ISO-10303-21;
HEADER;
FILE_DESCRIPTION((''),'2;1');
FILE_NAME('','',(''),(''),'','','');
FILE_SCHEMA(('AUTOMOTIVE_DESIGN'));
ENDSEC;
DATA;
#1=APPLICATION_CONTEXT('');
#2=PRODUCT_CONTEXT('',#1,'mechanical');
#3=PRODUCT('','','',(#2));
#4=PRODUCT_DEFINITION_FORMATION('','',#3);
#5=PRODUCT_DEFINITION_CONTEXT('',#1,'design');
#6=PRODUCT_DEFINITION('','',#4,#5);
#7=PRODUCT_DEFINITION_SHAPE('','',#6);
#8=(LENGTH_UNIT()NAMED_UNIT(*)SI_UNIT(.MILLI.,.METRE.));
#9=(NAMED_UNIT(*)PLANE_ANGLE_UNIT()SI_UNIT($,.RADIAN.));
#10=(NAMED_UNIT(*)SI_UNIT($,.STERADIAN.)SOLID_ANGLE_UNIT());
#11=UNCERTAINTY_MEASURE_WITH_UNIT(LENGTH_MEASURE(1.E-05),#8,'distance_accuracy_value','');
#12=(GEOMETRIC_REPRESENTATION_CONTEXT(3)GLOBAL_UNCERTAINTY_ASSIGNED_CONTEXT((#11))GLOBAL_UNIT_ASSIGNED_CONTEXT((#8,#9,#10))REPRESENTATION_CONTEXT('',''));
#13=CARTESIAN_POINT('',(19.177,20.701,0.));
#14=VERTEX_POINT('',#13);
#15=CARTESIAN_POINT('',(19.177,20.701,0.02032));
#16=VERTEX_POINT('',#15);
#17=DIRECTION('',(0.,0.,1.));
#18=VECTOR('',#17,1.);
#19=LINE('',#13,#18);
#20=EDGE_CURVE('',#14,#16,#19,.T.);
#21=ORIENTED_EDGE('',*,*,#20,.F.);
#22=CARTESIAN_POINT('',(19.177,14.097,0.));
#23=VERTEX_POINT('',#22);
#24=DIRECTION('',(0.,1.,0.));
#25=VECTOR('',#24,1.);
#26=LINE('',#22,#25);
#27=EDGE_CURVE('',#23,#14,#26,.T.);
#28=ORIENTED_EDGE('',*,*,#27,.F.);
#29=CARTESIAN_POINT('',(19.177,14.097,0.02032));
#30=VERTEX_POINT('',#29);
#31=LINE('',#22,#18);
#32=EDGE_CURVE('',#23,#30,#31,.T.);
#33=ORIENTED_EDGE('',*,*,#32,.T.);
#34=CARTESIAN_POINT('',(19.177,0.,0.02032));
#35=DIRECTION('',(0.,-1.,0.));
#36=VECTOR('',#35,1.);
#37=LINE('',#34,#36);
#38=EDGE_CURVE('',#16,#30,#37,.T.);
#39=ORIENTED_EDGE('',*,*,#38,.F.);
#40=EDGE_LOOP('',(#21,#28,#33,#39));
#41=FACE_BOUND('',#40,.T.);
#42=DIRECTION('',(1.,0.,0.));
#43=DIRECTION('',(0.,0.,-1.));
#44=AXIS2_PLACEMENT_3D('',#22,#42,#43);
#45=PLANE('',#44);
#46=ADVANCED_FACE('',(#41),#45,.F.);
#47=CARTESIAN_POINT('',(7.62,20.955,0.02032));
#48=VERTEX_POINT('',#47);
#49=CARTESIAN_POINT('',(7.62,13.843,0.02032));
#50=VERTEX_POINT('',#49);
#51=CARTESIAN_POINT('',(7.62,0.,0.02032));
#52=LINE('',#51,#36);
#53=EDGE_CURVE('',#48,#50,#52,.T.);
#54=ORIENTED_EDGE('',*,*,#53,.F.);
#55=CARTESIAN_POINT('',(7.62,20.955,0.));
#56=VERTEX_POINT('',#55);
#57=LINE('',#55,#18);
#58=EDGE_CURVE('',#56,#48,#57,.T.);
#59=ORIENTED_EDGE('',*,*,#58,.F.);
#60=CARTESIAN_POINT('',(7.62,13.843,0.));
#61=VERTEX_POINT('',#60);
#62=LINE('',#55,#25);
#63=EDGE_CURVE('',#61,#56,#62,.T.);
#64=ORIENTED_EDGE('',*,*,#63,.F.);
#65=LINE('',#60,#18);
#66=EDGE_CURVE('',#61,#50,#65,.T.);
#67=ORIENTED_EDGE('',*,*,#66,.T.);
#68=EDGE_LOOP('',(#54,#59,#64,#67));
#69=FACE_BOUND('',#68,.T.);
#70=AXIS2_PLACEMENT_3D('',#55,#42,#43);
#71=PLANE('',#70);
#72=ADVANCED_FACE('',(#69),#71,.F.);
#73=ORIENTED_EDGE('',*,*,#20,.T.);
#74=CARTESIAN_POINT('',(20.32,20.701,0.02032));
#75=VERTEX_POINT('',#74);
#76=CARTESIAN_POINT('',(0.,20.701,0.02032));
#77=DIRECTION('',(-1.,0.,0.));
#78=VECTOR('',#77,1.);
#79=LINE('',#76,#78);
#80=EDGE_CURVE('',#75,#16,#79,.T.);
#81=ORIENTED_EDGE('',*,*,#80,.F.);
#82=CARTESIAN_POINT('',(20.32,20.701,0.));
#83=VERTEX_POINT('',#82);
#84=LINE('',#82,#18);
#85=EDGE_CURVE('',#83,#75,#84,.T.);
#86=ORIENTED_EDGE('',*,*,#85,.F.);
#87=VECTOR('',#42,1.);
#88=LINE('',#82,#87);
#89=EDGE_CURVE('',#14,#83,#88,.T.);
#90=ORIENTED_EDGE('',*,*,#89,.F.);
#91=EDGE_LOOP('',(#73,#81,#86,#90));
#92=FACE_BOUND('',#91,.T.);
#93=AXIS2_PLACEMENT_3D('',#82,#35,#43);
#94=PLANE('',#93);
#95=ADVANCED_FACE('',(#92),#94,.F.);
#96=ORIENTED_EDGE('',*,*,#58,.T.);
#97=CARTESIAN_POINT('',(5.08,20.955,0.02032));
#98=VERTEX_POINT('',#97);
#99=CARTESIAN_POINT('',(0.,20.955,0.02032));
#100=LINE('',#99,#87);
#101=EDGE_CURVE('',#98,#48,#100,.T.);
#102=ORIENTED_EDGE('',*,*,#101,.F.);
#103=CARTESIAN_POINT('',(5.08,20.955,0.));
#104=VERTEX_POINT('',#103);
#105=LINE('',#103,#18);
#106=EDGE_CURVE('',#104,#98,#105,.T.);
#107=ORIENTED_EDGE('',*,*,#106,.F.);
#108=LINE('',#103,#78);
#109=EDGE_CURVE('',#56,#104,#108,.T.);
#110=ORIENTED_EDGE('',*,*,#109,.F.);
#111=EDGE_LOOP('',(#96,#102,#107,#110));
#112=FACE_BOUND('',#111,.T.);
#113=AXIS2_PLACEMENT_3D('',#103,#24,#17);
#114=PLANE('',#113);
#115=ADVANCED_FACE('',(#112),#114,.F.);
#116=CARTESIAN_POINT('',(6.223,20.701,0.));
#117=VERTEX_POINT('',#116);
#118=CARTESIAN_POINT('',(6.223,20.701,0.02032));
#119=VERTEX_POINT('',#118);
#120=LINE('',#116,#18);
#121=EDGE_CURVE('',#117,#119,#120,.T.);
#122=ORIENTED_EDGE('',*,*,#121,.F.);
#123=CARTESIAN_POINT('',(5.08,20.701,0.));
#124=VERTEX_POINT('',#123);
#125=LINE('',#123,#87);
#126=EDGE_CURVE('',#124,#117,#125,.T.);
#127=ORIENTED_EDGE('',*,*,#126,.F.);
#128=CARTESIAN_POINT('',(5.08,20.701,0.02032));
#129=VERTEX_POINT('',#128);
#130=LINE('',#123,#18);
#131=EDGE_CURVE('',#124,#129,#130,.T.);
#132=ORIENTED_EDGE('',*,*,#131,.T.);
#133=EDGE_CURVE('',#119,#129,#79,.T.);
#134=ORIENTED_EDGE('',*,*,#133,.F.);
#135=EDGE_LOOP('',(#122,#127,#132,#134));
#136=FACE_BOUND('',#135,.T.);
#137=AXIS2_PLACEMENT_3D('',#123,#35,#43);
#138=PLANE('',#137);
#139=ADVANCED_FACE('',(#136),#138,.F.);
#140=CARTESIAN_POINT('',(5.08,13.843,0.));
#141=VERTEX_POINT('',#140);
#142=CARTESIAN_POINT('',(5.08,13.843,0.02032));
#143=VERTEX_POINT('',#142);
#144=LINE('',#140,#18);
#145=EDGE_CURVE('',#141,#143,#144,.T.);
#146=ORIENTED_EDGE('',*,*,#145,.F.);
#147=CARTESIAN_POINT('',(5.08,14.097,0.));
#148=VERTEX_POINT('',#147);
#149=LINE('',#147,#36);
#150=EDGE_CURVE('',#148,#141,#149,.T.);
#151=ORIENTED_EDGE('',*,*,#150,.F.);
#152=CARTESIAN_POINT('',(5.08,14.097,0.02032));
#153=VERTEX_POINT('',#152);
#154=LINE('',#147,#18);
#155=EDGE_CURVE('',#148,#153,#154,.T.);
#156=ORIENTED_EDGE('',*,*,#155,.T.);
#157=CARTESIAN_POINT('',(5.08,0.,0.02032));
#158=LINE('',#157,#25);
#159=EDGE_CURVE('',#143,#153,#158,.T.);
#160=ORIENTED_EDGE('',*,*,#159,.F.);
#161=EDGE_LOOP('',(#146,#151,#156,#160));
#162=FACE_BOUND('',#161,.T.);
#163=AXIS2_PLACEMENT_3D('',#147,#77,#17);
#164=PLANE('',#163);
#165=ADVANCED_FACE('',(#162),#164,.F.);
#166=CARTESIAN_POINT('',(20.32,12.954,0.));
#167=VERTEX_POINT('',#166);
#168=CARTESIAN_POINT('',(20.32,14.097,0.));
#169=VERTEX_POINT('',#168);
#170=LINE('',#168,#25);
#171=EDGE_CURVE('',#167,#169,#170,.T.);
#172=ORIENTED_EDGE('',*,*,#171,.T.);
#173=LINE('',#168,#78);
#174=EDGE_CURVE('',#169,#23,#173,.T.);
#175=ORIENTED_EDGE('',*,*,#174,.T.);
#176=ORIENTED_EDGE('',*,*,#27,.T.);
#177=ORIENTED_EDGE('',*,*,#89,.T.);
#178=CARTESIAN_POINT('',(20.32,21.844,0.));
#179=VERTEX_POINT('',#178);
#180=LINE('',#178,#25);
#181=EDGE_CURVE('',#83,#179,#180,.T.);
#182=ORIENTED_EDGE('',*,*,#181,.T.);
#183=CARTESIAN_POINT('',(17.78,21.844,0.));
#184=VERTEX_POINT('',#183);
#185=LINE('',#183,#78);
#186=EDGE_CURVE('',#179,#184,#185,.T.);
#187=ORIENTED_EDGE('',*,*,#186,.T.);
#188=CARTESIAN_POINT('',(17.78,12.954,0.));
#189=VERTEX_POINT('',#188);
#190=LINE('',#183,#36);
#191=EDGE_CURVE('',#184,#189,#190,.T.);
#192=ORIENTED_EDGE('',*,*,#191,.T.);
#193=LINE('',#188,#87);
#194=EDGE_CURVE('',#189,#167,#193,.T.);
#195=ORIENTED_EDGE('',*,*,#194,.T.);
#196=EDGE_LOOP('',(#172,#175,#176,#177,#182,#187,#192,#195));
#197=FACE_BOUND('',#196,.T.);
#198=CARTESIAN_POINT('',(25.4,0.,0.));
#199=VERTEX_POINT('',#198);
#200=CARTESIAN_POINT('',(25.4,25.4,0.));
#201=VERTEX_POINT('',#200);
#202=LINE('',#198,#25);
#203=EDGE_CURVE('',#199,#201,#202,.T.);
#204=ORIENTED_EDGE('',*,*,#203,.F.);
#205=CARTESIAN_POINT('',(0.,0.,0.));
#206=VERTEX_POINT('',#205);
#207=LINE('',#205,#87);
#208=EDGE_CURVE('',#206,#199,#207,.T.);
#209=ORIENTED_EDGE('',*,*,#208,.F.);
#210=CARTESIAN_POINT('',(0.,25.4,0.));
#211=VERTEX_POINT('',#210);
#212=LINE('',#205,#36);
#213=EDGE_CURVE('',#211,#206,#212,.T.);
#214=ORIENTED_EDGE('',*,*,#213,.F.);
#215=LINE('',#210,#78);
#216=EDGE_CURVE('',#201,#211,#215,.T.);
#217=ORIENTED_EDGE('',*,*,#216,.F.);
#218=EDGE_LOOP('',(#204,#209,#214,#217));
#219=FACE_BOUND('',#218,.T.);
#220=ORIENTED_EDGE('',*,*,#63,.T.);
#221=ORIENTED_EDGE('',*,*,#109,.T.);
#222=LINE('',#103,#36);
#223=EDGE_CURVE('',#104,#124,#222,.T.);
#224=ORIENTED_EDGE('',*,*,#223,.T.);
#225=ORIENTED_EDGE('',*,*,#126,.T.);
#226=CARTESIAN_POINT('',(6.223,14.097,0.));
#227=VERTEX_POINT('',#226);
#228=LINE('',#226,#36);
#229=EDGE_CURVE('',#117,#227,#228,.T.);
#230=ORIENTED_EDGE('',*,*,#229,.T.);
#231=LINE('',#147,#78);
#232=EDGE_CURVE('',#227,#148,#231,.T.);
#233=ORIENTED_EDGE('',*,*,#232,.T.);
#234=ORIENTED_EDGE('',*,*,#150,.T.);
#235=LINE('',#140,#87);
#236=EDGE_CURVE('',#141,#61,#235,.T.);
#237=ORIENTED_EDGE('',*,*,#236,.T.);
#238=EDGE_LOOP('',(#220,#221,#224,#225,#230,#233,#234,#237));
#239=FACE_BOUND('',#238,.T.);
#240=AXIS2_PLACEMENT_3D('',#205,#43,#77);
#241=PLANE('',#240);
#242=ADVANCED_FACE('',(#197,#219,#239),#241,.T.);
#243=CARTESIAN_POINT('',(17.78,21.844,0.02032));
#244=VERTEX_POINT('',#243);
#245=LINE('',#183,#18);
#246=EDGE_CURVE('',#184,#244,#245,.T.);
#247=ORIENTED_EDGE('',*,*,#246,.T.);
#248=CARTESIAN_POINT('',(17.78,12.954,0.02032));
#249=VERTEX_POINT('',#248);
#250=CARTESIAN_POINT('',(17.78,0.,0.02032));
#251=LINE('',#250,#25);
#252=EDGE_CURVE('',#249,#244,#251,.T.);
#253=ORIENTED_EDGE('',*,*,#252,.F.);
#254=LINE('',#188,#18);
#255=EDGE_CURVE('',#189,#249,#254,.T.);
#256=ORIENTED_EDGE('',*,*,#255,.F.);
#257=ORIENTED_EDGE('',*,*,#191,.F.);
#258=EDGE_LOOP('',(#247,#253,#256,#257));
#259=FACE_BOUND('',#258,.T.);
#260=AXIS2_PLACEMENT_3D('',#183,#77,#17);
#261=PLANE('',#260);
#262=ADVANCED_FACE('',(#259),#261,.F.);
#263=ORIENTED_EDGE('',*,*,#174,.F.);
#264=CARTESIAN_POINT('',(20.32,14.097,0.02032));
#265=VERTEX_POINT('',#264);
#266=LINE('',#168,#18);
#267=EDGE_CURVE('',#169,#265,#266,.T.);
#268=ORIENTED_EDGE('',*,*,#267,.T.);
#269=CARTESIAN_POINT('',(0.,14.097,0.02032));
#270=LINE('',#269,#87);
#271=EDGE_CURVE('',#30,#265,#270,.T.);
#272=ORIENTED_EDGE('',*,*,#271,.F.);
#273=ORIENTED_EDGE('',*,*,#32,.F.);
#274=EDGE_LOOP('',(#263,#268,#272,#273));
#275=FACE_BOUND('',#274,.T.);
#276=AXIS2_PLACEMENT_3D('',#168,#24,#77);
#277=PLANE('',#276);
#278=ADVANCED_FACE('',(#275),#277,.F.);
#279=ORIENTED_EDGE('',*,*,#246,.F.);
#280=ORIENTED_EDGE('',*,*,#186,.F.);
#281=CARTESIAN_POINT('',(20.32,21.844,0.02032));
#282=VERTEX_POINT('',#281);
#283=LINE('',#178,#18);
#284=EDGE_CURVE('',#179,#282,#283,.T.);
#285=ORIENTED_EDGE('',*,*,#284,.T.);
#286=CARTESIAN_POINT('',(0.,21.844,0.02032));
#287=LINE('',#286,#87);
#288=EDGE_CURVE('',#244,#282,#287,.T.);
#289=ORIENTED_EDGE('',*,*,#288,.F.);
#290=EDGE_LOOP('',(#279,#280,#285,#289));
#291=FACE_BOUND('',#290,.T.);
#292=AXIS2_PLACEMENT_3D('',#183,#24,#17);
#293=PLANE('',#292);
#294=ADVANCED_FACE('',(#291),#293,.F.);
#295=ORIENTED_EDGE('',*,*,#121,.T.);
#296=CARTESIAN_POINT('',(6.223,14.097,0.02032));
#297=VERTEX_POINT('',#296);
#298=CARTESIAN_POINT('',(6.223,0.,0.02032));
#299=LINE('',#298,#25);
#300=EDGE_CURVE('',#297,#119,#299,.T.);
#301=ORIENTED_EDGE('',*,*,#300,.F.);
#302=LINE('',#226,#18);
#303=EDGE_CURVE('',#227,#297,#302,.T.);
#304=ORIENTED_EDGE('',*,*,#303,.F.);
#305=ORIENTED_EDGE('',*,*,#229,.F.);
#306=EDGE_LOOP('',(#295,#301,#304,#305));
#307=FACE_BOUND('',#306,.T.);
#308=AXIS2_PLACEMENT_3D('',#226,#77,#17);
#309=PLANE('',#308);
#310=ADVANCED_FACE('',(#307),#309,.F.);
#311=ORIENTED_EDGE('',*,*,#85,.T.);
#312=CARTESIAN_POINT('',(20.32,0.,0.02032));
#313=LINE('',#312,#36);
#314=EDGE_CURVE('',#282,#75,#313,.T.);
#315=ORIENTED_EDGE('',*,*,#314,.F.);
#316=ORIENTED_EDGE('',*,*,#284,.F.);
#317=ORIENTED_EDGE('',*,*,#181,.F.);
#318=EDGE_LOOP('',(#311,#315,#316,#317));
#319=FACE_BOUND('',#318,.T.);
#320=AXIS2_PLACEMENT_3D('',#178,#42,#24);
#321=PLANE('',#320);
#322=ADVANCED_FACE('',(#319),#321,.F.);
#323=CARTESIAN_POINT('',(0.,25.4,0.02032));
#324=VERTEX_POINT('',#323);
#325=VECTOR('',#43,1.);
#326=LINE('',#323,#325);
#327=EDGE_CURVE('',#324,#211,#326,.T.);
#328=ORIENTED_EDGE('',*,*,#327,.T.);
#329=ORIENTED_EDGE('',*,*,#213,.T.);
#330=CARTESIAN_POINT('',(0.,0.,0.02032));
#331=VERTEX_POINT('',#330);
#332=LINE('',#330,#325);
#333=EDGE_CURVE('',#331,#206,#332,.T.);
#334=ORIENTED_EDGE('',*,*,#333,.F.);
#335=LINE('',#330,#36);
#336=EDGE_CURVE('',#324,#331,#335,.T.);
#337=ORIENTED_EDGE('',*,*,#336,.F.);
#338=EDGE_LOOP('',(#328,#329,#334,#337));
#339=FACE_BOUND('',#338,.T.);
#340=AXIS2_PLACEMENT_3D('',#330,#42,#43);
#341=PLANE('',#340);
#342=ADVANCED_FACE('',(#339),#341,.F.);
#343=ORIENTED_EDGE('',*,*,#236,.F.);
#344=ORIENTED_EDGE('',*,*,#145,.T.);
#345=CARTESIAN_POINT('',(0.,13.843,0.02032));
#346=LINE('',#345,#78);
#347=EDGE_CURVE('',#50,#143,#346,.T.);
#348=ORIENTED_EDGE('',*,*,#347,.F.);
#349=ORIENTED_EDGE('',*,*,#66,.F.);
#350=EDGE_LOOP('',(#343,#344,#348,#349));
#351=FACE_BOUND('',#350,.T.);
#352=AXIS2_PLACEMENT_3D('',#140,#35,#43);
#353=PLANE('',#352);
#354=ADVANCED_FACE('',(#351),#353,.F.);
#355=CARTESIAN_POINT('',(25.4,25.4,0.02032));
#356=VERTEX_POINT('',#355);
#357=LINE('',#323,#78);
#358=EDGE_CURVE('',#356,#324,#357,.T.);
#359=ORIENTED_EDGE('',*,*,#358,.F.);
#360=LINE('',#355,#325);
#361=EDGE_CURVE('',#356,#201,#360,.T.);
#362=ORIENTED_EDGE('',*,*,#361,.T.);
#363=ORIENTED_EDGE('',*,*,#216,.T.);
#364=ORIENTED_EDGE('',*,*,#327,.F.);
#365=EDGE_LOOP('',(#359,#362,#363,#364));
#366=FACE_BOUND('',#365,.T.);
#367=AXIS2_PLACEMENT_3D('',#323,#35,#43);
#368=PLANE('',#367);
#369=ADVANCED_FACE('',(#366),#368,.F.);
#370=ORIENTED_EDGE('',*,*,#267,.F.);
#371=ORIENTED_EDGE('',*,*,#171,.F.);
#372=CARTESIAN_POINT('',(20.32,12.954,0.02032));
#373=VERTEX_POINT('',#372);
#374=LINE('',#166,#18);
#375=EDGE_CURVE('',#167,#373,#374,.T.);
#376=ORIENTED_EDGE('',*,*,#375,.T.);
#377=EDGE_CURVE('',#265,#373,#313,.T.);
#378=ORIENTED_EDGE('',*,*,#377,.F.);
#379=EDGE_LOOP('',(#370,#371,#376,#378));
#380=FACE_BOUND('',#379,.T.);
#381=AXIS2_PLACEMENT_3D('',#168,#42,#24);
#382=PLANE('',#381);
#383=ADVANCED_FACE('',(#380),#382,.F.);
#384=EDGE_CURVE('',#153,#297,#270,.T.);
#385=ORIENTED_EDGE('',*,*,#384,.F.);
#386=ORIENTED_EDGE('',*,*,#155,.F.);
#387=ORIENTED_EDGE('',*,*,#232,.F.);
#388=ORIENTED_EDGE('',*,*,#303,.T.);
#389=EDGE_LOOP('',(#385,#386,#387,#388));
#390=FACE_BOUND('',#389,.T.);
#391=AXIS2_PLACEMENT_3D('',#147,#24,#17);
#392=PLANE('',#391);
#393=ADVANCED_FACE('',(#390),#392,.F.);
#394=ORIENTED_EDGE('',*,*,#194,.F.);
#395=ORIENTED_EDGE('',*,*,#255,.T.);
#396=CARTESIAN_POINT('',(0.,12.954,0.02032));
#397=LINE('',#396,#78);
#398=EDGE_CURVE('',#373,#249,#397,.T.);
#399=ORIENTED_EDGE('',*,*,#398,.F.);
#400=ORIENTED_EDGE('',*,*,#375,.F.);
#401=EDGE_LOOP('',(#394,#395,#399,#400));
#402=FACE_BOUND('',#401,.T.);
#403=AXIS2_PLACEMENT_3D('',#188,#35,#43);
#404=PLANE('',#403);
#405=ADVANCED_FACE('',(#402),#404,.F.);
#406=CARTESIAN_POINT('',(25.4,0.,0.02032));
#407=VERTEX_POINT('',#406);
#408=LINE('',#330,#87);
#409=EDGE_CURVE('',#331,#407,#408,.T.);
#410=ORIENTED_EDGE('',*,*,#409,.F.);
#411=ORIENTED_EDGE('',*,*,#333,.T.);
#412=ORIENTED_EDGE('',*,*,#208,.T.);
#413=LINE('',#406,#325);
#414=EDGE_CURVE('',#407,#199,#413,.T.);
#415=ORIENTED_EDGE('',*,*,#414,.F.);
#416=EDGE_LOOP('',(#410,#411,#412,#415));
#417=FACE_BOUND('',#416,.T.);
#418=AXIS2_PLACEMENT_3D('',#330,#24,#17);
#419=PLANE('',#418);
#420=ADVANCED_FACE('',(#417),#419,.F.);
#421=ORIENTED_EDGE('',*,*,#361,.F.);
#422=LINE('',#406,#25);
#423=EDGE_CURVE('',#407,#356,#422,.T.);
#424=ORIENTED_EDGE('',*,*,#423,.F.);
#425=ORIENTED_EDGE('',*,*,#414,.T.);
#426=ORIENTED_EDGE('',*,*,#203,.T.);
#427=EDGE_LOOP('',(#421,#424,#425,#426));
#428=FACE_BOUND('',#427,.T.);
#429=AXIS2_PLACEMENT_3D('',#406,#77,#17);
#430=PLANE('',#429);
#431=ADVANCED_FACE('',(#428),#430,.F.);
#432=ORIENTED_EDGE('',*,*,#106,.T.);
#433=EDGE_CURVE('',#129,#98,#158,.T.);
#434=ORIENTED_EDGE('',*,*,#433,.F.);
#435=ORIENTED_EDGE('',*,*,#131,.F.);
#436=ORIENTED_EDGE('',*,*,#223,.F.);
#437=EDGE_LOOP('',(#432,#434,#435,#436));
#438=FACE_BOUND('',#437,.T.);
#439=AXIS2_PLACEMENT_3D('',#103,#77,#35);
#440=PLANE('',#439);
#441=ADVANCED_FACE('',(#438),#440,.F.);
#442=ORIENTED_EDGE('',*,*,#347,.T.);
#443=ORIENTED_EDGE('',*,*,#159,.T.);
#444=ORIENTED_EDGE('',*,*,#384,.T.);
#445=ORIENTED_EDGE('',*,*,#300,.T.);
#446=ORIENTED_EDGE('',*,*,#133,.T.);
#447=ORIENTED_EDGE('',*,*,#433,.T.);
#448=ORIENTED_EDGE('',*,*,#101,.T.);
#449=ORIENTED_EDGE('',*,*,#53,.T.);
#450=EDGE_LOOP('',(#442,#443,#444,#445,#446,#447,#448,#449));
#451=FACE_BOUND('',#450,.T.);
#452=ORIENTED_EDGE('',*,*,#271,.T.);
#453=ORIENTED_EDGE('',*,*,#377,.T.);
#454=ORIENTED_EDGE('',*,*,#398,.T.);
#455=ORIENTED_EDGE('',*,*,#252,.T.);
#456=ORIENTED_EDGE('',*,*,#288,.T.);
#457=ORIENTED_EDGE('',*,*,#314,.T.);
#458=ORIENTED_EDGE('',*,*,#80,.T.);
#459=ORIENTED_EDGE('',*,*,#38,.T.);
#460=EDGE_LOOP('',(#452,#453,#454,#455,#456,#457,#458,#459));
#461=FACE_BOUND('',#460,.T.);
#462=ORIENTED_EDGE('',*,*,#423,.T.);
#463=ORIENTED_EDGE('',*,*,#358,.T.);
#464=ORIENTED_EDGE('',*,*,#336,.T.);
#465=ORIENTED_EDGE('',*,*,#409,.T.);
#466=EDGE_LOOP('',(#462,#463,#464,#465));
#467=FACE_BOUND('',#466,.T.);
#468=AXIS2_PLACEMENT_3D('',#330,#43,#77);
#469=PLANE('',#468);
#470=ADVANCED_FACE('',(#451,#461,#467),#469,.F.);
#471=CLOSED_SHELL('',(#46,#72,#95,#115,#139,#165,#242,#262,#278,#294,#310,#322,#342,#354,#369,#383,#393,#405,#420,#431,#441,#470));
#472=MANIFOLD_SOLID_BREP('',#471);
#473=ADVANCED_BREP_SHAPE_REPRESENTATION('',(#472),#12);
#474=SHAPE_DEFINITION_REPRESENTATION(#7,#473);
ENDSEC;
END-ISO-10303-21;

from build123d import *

# Parameters (mm, degrees)
SKETCH1_W               = 25.4
SKETCH1_H               = 25.4
BOSS_EXTRUDE1_DEPTH     = 0.02032
CUT_EXTRUDE8_DEPTH      = 3.556
CUT_EXTRUDE8_DEPTH_BACK = 36.921030232


with BuildPart() as part:
    # Sketch1 → Boss-Extrude1 (new body)
    with BuildSketch(Plane.XY):
        with Locations((12.7, 12.7)):
            Rectangle(SKETCH1_W, SKETCH1_H)
    extrude(amount=BOSS_EXTRUDE1_DEPTH)

    # Sketch2 → Cut-Extrude8 (cut, two sides: drawn at the far end of the back side and taken through both)
    with BuildSketch(Plane.XY.offset(0.02032).offset(-CUT_EXTRUDE8_DEPTH_BACK)):
        Polygon((5.08, 20.955), (7.62, 20.955), (7.62, 13.843), (5.08, 13.843), (5.08, 14.097), (6.223, 14.097), (6.223, 20.701), (5.08, 20.701), align=None)
        Polygon((17.78, 21.844), (20.32, 21.844), (20.32, 20.701), (19.177, 20.701), (19.177, 14.097), (20.32, 14.097), (20.32, 12.954), (17.78, 12.954), align=None)
    extrude(amount=CUT_EXTRUDE8_DEPTH + CUT_EXTRUDE8_DEPTH_BACK, mode=Mode.SUBTRACT)


solid = part.part
